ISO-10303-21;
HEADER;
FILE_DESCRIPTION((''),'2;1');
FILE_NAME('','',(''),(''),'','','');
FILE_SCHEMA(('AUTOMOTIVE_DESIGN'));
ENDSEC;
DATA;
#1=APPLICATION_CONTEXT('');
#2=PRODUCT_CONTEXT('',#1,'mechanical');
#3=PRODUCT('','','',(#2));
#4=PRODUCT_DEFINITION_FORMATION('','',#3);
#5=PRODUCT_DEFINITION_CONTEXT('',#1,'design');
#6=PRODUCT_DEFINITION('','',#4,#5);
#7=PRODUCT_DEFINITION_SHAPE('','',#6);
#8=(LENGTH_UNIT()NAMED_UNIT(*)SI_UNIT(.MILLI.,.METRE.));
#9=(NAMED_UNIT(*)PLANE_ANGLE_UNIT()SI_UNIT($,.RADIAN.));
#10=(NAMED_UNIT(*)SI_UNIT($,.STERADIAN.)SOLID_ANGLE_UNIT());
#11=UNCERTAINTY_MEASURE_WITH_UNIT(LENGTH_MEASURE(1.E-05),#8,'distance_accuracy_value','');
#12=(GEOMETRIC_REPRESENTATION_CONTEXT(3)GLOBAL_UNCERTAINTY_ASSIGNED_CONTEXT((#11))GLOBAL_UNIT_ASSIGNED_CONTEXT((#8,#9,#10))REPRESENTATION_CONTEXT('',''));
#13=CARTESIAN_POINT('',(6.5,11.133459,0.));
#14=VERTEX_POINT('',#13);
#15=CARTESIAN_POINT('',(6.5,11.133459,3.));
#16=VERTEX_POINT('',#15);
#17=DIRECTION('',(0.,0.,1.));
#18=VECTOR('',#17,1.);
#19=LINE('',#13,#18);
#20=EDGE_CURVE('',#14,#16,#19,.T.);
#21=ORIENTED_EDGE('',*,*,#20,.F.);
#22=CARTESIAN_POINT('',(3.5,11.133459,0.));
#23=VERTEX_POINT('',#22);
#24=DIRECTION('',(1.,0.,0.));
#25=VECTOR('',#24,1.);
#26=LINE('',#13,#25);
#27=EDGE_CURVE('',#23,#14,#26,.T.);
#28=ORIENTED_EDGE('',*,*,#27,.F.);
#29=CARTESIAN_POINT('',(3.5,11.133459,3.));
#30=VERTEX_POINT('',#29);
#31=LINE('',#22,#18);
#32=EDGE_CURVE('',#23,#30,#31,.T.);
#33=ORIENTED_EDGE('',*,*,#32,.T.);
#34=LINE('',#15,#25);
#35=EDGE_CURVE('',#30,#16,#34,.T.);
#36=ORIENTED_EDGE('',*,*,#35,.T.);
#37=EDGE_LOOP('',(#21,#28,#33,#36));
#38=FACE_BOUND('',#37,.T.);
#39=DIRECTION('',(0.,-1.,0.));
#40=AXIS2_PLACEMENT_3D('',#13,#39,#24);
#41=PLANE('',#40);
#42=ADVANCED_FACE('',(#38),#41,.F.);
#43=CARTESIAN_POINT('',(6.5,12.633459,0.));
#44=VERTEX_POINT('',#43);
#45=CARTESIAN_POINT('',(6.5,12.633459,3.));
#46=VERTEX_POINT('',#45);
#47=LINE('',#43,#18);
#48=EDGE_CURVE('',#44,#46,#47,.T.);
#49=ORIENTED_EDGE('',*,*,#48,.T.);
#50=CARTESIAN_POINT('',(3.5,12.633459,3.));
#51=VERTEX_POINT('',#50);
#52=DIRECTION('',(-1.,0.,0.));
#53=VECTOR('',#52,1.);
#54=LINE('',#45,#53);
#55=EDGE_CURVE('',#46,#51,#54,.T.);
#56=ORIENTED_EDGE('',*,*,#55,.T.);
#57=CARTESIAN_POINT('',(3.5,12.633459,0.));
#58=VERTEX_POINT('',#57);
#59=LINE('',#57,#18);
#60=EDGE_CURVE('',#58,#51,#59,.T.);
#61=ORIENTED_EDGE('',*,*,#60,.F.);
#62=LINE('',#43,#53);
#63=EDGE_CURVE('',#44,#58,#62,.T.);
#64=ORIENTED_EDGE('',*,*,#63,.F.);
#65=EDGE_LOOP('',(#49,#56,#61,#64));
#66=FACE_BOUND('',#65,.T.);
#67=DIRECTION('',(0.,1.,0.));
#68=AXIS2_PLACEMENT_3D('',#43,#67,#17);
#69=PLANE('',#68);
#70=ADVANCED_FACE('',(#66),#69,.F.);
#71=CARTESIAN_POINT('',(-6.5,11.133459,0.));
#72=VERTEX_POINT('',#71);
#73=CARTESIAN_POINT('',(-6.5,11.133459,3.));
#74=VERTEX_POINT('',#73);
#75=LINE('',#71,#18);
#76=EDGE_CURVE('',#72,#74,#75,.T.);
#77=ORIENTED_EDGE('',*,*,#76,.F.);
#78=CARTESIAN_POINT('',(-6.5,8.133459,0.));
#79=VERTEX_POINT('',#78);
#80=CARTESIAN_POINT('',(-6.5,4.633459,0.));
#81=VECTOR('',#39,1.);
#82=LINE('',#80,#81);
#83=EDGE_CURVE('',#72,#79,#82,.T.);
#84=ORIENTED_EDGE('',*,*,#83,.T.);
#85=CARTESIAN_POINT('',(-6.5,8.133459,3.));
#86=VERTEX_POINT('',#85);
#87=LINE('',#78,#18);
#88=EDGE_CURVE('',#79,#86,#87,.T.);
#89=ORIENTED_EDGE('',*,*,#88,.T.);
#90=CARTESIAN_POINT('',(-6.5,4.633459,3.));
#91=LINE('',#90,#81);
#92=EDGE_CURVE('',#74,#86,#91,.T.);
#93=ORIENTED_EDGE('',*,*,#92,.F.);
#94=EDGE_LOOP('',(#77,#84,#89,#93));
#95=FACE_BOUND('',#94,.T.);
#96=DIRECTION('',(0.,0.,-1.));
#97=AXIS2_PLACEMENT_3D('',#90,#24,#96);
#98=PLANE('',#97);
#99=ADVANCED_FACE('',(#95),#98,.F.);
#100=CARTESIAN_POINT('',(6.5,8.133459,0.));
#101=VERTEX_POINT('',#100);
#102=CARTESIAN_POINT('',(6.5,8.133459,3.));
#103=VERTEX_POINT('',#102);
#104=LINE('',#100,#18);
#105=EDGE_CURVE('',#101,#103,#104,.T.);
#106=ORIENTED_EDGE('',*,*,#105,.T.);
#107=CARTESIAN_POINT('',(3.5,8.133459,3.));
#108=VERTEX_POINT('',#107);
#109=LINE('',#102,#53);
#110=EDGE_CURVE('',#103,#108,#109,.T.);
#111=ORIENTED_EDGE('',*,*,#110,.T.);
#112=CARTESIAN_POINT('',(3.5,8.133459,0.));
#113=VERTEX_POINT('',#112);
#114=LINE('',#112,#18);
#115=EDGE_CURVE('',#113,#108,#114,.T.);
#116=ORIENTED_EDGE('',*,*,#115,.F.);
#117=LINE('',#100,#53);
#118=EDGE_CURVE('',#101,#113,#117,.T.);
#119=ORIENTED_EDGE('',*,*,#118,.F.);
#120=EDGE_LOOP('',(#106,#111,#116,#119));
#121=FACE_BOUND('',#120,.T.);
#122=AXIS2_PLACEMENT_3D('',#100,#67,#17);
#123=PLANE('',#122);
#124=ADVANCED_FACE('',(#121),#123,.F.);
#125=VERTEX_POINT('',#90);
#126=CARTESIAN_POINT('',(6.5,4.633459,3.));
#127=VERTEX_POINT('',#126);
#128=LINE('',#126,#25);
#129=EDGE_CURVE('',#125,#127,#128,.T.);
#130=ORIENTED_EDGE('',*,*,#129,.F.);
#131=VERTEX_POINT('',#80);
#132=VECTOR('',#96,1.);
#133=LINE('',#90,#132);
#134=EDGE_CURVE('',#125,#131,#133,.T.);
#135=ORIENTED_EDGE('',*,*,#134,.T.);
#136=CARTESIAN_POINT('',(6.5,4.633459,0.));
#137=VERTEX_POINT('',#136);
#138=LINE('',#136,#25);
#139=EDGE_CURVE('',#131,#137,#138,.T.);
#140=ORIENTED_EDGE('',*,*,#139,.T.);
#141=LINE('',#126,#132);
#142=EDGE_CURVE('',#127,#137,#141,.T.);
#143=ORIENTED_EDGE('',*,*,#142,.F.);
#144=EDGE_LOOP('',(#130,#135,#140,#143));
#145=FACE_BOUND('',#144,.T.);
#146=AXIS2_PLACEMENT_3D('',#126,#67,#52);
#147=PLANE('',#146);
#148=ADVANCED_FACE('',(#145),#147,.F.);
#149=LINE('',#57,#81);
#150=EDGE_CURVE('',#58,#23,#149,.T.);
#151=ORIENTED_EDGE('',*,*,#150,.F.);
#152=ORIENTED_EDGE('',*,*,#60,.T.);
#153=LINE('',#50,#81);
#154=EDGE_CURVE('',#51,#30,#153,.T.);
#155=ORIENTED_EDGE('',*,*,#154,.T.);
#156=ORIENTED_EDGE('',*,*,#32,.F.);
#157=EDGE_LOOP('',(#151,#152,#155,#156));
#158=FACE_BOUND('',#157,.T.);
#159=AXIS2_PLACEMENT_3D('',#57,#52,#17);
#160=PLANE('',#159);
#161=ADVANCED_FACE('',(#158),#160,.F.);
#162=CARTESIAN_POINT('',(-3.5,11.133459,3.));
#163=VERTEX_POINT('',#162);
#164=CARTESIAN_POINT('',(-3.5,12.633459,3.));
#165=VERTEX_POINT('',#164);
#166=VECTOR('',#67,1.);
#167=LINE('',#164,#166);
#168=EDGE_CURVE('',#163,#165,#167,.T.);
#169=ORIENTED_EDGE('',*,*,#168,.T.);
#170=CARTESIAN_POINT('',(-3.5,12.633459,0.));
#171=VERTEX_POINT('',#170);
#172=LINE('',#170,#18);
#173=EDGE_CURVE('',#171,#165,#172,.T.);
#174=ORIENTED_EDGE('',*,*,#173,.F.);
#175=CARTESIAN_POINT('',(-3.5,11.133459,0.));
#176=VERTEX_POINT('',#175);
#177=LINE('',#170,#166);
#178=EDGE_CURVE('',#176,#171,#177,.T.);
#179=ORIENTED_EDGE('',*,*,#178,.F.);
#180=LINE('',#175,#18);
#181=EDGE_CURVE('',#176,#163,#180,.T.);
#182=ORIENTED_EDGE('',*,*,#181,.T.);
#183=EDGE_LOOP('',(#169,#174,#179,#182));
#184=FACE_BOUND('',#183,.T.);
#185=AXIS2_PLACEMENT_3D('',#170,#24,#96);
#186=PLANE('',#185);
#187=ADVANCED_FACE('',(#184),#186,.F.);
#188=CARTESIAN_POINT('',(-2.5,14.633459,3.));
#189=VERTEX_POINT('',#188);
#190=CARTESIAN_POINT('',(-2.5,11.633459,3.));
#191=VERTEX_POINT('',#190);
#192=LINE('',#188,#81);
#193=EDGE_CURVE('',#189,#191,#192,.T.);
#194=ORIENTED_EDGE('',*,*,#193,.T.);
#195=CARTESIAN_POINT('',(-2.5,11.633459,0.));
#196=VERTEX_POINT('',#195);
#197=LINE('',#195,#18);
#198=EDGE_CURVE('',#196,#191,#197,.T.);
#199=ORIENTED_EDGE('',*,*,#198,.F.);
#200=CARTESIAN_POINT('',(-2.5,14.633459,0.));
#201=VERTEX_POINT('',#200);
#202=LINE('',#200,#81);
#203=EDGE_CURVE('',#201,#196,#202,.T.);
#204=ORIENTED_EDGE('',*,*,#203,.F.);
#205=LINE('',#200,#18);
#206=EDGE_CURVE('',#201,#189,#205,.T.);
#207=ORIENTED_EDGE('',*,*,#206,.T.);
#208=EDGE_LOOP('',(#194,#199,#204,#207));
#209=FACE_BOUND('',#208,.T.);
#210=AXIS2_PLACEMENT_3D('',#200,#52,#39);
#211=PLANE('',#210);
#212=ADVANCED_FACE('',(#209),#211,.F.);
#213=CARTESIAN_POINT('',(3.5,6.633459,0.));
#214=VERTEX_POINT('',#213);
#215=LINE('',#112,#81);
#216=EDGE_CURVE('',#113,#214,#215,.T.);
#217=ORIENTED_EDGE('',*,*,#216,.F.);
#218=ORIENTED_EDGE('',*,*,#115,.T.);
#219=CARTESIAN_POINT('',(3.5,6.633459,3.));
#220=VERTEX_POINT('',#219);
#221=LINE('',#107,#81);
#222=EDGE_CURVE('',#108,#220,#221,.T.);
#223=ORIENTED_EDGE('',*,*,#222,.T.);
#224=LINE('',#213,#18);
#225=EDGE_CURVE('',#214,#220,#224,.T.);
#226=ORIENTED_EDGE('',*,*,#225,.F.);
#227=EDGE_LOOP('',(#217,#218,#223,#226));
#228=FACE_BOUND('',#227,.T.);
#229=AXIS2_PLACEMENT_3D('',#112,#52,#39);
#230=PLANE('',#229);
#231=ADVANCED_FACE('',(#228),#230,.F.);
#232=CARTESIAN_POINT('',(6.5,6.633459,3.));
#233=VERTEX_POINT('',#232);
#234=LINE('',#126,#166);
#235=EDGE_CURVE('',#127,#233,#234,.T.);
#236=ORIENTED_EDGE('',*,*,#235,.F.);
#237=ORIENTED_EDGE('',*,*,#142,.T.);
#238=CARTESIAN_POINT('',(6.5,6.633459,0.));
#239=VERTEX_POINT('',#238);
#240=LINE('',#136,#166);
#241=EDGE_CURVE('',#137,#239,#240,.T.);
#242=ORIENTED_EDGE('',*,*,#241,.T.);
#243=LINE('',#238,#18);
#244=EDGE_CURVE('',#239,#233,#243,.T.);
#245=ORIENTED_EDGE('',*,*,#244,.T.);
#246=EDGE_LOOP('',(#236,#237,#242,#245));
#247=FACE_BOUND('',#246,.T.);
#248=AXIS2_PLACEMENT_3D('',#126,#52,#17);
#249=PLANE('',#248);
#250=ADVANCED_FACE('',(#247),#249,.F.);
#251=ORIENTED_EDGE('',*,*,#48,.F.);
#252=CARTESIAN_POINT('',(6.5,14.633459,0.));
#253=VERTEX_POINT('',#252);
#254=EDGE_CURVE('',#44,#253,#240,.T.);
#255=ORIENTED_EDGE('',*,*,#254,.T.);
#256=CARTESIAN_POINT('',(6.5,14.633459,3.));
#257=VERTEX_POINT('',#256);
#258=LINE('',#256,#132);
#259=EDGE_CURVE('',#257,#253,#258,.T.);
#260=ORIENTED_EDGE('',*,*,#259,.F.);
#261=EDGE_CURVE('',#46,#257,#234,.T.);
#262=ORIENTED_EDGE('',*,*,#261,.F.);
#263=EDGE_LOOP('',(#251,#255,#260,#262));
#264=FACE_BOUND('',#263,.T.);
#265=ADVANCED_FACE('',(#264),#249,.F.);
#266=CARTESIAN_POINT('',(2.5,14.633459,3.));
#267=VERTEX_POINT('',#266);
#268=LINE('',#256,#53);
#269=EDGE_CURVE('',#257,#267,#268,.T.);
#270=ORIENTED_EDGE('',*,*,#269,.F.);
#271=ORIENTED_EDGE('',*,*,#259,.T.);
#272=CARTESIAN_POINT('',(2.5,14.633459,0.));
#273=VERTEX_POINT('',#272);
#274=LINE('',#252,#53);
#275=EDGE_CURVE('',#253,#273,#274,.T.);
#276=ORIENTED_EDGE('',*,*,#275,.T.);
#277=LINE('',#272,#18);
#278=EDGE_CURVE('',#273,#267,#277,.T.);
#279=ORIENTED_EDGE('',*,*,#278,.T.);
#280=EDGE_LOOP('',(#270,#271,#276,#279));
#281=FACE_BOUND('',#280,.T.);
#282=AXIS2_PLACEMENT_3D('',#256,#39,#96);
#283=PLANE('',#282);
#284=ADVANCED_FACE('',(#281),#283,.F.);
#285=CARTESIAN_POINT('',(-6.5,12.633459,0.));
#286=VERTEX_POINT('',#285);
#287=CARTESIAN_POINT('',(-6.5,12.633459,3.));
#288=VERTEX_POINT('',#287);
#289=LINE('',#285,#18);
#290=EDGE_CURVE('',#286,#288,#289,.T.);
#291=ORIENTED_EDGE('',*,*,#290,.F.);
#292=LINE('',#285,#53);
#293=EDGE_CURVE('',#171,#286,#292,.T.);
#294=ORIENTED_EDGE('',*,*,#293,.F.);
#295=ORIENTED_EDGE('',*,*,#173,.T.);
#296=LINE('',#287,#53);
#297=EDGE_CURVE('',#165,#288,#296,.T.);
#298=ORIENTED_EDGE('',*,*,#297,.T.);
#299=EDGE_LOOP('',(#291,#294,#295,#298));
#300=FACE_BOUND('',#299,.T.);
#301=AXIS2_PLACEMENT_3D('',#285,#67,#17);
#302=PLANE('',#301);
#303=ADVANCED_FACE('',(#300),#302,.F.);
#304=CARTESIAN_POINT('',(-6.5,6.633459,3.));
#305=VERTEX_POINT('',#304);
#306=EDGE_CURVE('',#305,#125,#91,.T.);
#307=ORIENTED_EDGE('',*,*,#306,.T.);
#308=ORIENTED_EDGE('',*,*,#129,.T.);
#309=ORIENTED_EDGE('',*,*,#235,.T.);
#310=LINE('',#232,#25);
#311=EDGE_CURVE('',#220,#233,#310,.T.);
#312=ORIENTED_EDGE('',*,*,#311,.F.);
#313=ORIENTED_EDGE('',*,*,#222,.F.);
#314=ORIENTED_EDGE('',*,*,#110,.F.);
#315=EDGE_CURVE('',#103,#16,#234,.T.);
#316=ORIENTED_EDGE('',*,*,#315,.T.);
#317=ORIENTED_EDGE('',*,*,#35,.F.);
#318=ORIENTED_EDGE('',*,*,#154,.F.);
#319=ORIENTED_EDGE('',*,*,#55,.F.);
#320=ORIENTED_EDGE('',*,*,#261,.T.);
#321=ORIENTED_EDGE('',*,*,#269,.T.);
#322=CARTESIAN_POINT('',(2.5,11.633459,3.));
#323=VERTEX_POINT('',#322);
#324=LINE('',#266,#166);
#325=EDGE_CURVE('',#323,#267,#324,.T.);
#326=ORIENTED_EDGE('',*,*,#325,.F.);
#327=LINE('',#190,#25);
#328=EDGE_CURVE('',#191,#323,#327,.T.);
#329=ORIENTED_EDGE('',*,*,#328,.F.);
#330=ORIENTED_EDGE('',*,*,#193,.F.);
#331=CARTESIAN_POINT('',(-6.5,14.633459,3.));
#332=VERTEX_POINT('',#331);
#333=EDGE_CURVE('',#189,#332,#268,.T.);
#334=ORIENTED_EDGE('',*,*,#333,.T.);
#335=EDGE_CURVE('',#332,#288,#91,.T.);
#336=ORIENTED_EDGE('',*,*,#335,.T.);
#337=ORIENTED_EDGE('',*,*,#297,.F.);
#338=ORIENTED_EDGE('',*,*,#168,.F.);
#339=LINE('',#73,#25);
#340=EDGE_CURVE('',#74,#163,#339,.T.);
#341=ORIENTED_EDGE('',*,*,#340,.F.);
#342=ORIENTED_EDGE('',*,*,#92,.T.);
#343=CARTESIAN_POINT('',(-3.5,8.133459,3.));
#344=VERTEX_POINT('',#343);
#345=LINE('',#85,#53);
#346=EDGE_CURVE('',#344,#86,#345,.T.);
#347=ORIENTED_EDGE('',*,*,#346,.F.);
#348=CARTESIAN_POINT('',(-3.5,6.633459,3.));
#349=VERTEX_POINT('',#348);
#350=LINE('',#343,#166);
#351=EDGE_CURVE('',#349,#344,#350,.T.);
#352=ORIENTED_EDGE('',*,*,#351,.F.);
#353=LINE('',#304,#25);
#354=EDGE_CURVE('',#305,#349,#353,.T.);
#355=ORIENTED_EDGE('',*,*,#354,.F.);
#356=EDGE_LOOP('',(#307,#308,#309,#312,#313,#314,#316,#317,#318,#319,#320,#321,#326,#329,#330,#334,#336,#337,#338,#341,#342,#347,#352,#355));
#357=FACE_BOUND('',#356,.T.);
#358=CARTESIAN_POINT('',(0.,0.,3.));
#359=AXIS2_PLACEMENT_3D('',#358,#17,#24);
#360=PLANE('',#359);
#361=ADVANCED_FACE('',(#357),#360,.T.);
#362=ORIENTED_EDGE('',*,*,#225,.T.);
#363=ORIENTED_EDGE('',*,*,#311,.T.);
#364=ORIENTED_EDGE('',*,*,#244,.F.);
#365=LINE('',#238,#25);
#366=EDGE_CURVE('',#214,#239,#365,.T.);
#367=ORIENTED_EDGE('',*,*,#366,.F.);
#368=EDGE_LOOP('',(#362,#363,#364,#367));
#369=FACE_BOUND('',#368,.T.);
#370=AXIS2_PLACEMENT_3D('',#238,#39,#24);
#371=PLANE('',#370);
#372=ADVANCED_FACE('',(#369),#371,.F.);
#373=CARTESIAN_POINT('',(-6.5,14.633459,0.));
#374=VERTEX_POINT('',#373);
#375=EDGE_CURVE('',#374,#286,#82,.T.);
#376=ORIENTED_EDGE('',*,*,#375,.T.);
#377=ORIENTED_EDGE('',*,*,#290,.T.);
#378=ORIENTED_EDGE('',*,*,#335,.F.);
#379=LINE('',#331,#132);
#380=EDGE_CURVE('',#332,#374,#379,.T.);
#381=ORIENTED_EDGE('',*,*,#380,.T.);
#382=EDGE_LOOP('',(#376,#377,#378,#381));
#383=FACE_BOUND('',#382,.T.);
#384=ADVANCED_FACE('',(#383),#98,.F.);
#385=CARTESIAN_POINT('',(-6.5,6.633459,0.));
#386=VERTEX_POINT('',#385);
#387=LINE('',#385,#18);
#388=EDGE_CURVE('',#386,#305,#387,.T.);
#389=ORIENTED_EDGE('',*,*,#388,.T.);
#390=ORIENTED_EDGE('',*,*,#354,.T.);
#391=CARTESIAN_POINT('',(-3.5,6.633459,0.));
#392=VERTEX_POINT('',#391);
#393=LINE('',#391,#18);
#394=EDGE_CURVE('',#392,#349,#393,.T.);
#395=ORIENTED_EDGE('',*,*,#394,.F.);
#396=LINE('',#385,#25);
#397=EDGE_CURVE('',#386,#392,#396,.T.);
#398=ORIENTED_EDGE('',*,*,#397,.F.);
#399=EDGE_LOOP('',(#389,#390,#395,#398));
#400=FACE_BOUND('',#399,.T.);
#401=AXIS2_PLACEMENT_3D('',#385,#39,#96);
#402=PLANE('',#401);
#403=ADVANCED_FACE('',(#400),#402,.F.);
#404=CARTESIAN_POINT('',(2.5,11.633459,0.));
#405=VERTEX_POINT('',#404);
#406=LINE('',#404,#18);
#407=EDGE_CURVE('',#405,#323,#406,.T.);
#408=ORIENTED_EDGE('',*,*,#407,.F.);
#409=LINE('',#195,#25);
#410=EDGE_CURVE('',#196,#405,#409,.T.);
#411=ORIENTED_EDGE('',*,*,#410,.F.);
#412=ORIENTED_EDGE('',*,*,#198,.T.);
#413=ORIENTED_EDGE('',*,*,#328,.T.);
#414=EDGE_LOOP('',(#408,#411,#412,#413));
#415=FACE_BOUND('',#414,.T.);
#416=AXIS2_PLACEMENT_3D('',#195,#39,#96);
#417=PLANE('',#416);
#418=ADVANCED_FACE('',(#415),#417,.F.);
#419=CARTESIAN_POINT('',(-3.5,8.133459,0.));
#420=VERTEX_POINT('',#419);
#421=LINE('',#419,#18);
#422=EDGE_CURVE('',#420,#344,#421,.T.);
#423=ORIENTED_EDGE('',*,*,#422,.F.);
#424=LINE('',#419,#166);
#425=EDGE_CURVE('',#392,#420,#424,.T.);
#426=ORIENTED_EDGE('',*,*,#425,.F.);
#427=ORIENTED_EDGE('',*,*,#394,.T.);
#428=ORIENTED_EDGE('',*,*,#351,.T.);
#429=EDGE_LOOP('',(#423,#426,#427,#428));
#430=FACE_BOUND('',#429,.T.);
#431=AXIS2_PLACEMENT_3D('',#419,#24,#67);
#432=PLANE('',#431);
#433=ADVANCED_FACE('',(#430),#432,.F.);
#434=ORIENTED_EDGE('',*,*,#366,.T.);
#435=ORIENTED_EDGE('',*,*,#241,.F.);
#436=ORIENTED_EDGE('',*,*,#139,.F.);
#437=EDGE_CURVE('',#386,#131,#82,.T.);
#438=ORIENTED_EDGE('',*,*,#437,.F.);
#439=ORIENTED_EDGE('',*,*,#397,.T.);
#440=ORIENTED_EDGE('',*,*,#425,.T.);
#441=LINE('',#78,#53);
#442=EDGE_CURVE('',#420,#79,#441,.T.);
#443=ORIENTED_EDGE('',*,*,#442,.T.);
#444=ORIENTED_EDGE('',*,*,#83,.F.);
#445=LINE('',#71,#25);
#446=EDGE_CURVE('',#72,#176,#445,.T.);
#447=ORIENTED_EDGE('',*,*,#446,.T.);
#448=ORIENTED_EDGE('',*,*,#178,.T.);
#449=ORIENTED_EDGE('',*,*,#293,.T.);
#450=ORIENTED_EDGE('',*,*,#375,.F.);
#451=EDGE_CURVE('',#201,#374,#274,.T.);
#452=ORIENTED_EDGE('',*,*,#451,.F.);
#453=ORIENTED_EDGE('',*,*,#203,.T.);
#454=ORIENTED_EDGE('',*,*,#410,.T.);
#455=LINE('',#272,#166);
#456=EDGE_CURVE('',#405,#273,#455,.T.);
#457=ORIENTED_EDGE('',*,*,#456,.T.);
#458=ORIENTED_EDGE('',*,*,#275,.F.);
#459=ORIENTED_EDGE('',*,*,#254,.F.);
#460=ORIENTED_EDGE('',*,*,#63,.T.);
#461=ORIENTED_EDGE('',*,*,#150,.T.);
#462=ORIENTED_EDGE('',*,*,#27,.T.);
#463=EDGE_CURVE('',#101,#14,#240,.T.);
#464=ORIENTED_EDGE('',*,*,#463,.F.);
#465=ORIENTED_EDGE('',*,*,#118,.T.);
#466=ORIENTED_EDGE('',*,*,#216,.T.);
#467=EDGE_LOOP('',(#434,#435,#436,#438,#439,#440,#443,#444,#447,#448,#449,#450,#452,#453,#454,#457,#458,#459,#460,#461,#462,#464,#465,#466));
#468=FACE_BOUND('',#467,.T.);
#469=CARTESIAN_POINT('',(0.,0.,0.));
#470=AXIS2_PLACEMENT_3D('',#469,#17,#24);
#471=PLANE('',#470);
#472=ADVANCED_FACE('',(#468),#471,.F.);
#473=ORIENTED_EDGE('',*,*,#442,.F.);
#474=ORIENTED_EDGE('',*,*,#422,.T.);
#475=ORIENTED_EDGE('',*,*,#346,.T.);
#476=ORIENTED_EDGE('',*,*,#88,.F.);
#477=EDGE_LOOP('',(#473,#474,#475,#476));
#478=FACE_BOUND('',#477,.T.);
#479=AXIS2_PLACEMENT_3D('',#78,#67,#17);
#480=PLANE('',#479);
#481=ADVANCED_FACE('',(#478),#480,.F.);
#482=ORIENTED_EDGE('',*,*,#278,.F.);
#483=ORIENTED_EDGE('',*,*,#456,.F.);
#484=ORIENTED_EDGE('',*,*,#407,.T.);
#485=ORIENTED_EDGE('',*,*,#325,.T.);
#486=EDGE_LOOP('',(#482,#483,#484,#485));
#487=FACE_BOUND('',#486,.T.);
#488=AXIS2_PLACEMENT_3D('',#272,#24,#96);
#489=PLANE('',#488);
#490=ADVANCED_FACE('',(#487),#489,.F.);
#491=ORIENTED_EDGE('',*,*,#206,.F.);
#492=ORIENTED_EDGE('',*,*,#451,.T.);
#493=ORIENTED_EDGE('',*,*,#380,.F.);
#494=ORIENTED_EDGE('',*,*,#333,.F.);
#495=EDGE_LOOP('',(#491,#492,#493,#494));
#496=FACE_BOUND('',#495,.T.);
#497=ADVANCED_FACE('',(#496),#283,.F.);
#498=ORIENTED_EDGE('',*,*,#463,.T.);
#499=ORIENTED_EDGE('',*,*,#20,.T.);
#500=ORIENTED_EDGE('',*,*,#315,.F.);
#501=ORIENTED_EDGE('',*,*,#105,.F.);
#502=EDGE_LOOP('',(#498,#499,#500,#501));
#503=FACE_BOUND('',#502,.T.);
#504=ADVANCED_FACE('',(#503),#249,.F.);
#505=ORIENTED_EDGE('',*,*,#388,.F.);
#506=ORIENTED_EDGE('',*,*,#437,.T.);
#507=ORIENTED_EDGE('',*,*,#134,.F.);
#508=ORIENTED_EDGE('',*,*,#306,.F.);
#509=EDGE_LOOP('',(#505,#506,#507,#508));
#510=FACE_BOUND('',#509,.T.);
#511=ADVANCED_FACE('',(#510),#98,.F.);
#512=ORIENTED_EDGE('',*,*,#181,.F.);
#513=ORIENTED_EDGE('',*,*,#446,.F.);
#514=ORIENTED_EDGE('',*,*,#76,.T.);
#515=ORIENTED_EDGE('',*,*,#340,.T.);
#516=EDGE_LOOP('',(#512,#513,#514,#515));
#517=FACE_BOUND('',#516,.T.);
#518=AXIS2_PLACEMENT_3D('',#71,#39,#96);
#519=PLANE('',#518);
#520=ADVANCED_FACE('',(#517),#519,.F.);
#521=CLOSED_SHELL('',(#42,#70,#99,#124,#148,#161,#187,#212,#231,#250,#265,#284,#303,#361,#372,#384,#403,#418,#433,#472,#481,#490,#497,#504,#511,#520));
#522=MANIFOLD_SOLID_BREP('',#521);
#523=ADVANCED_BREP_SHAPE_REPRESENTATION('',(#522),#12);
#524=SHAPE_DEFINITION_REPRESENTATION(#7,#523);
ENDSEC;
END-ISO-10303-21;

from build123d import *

# Parameters (mm, degrees)
SKETCH1_W           = 13
SKETCH1_H           = 10
BOSS_EXTRUDE1_DEPTH = 3
SKETCH2_W           = 3
SKETCH2_H           = 1.5
CUT_EXTRUDE1_DEPTH  = 3
SKETCH3_W           = 3
SKETCH3_H           = 1.5
CUT_EXTRUDE2_DEPTH  = 3
SKETCH5_W           = 5
SKETCH5_H           = 3
CUT_EXTRUDE6_DEPTH  = 3


with BuildPart() as part:
    # Sketch1 → Boss-Extrude1 (new body)
    with BuildSketch(Plane.XY):
        with Locations((0, 9.633458647)):
            Rectangle(SKETCH1_W, SKETCH1_H)
    extrude(amount=BOSS_EXTRUDE1_DEPTH)

    # Sketch2 → Cut-Extrude1 (cut)
    with BuildSketch(Plane.XY.offset(3)):
        with Locations((-5, 11.883458647)):
            Rectangle(SKETCH2_W, SKETCH2_H)
        with Locations((-5, 7.383458647)):
            Rectangle(SKETCH2_W, SKETCH2_H)
    extrude(amount=-CUT_EXTRUDE1_DEPTH, mode=Mode.SUBTRACT)

    # Sketch3 → Cut-Extrude2 (cut)
    with BuildSketch(Plane.XY.offset(3)):
        with Locations((5, 11.883458647)):
            Rectangle(SKETCH3_W, SKETCH3_H)
        with Locations((5, 7.383458647)):
            Rectangle(SKETCH3_W, SKETCH3_H)
    extrude(amount=-CUT_EXTRUDE2_DEPTH, mode=Mode.SUBTRACT)

    # Sketch5 → Cut-Extrude6 (cut)
    with BuildSketch(Plane.XY.offset(3)):
        with Locations((0, 13.133458647)):
            Rectangle(SKETCH5_W, SKETCH5_H)
    extrude(amount=-CUT_EXTRUDE6_DEPTH, mode=Mode.SUBTRACT)


solid = part.part
